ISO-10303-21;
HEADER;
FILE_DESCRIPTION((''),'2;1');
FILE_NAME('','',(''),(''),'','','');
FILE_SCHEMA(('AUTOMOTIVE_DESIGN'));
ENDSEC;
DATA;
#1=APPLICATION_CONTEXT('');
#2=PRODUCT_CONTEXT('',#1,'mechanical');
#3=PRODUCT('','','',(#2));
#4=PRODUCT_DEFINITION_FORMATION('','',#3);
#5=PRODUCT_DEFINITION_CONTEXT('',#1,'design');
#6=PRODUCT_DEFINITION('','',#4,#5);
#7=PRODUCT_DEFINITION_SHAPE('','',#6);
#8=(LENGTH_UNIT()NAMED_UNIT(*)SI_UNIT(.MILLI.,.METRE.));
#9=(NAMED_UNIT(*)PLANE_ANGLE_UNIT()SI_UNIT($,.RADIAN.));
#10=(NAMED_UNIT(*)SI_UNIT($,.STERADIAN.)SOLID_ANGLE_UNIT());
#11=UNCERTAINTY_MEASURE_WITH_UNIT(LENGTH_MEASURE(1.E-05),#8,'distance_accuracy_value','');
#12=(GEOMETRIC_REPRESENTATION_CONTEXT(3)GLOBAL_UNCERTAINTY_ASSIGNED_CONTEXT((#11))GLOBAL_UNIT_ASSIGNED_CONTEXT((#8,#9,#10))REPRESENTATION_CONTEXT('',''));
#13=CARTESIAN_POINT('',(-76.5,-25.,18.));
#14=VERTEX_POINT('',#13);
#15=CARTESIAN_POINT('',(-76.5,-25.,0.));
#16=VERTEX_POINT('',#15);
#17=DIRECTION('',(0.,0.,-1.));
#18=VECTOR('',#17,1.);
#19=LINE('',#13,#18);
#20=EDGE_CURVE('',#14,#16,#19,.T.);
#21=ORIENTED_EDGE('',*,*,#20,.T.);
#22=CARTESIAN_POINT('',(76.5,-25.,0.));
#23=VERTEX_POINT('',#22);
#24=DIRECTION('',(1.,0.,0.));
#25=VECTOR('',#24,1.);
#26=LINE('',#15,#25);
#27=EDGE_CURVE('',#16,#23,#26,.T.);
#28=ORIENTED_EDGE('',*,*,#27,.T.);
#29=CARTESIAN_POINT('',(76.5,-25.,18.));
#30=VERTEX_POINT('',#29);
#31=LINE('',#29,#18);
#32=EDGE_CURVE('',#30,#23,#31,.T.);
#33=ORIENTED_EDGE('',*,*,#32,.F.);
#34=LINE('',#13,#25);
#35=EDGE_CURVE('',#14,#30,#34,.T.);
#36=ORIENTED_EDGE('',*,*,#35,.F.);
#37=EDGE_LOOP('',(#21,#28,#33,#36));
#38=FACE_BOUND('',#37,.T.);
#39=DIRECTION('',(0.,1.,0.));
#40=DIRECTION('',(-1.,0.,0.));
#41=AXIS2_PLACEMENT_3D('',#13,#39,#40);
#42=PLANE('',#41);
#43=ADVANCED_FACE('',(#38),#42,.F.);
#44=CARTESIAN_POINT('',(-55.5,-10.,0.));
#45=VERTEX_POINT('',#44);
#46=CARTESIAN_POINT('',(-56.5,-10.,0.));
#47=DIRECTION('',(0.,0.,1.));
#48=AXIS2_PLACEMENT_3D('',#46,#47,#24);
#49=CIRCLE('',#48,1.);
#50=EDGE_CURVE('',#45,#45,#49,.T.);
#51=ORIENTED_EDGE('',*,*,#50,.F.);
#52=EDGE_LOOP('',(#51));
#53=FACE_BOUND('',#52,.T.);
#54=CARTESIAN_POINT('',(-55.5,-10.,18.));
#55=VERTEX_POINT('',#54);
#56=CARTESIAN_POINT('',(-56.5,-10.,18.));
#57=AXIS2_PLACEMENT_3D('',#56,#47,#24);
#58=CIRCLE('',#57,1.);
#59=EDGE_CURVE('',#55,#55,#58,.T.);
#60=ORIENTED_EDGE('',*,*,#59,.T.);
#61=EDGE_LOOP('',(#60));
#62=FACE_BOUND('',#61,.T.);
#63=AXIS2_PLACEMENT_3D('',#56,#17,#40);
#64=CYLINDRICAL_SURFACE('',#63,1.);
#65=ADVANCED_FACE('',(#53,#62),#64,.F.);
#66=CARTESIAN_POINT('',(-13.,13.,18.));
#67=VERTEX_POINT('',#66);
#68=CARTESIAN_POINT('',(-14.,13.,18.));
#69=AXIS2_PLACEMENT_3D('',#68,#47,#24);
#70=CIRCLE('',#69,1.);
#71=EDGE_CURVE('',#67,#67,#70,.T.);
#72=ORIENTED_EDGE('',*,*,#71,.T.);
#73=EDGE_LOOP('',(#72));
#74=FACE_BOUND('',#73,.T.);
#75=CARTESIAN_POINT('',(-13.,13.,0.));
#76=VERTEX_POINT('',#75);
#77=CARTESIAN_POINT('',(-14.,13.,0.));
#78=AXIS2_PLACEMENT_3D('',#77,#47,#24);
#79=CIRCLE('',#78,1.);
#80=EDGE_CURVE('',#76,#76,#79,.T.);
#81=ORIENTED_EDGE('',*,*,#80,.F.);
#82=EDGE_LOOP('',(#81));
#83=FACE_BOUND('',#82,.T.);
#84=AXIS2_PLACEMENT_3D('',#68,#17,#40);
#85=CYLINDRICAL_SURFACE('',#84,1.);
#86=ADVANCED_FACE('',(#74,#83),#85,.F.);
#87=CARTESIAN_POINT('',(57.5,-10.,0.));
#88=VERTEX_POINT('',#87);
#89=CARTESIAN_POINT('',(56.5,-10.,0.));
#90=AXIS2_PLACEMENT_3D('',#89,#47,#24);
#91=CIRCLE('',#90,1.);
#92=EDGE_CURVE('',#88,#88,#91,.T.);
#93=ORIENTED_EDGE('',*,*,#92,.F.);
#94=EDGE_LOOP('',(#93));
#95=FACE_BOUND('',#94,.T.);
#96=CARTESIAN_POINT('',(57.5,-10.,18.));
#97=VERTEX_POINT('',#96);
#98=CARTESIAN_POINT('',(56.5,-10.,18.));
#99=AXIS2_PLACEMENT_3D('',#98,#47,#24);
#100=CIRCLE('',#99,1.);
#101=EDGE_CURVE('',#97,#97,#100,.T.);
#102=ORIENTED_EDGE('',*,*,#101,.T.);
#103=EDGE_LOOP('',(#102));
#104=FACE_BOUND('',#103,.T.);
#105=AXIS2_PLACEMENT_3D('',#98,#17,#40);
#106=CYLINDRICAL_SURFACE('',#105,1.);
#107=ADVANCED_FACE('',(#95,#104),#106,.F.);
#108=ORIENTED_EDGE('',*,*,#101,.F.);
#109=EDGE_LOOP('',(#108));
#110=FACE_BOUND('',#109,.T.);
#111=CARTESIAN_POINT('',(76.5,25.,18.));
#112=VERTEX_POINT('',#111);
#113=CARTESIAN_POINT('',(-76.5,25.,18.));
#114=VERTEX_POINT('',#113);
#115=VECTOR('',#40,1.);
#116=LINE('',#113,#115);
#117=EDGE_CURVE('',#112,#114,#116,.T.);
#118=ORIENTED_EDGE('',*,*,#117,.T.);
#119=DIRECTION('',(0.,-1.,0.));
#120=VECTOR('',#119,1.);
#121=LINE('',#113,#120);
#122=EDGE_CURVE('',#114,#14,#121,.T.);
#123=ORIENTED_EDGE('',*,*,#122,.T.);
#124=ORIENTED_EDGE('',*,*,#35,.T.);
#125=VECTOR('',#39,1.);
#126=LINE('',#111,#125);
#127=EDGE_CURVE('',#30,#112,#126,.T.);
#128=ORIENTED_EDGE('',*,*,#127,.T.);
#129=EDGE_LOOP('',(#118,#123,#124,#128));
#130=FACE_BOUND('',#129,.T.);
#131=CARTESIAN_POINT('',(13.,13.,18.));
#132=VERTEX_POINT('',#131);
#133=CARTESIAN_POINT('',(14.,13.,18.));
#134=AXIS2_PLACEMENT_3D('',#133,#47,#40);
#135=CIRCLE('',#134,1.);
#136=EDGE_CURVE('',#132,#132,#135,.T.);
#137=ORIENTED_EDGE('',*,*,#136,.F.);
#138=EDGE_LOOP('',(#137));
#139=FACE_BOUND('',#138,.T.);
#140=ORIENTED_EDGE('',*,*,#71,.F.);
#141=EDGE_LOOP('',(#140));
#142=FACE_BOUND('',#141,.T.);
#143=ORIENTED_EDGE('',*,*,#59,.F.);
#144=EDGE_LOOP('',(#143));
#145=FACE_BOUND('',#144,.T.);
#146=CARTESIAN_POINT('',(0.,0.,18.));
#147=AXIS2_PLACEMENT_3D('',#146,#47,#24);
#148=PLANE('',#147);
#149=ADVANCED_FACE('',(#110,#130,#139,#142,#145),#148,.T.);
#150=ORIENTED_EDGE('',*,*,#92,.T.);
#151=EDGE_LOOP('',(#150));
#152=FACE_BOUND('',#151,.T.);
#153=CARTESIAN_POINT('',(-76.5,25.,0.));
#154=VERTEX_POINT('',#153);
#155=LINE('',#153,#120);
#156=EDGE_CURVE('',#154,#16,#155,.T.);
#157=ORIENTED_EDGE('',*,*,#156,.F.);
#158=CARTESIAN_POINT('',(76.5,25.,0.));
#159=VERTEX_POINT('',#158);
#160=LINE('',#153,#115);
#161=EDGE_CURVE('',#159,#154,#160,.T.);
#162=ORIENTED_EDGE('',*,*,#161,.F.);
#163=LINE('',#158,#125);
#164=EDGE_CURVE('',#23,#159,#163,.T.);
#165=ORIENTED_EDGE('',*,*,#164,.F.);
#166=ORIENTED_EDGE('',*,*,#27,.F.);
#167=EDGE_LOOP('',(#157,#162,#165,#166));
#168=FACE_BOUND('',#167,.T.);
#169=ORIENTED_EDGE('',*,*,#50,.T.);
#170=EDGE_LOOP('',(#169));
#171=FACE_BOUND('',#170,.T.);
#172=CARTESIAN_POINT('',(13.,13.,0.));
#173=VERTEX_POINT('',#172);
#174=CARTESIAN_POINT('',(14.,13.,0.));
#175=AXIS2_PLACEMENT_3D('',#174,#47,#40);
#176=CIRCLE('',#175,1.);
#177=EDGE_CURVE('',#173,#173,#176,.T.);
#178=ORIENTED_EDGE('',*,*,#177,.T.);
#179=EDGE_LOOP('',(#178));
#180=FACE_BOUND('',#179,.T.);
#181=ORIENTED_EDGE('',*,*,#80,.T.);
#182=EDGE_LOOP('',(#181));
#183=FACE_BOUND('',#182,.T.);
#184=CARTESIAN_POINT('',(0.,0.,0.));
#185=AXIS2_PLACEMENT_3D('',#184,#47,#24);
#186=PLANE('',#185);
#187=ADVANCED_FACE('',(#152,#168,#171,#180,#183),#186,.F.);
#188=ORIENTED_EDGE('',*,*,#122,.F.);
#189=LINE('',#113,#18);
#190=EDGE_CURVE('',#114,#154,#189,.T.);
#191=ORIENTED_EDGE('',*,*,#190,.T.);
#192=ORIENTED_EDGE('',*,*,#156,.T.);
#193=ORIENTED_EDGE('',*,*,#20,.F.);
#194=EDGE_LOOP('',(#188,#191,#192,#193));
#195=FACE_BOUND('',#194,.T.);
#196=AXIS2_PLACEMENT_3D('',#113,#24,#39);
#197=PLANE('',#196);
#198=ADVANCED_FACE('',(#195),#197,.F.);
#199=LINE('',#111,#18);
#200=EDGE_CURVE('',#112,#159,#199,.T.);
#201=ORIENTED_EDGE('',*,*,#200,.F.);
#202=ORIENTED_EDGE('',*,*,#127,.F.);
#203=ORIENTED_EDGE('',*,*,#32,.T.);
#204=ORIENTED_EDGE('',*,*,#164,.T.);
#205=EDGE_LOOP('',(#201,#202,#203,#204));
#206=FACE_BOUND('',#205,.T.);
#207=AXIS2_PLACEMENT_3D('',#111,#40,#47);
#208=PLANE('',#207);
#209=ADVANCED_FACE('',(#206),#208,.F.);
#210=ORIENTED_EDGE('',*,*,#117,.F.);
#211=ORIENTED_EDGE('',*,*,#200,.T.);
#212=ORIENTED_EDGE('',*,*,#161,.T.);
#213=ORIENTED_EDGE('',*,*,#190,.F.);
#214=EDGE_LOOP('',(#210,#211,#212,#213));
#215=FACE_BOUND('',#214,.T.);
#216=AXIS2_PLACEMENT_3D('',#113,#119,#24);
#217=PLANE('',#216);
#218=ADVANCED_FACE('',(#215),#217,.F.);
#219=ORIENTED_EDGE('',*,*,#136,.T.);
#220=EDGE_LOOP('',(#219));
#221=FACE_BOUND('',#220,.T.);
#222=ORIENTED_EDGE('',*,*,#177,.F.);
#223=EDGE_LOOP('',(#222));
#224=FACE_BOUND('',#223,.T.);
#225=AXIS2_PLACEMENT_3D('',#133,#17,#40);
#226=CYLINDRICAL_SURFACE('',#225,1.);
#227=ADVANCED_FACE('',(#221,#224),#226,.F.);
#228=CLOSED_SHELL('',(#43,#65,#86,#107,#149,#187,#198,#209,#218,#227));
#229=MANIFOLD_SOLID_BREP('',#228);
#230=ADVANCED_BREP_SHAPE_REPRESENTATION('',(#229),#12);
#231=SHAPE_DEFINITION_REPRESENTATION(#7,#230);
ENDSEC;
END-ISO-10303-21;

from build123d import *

# Parameters (mm, degrees)
SKETCH1_W           = 153
SKETCH1_H           = 50
SKETCH1_R           = 1
BOSS_EXTRUDE1_DEPTH = 18


with BuildPart() as part:
    # Sketch1 → Boss-Extrude1 (new body)
    with BuildSketch(Plane.XY):
        Rectangle(SKETCH1_W, SKETCH1_H)
        with Locations((-14, 13)):
            Circle(SKETCH1_R, mode=Mode.SUBTRACT)
        with Locations(Location((14, 13, 0), (0, 0, 180))):
            Circle(SKETCH1_R, mode=Mode.SUBTRACT)
        with Locations((-56.5, -10)):
            Circle(SKETCH1_R, mode=Mode.SUBTRACT)
        with Locations((56.5, -10)):
            Circle(SKETCH1_R, mode=Mode.SUBTRACT)
    extrude(amount=BOSS_EXTRUDE1_DEPTH)


solid = part.part
